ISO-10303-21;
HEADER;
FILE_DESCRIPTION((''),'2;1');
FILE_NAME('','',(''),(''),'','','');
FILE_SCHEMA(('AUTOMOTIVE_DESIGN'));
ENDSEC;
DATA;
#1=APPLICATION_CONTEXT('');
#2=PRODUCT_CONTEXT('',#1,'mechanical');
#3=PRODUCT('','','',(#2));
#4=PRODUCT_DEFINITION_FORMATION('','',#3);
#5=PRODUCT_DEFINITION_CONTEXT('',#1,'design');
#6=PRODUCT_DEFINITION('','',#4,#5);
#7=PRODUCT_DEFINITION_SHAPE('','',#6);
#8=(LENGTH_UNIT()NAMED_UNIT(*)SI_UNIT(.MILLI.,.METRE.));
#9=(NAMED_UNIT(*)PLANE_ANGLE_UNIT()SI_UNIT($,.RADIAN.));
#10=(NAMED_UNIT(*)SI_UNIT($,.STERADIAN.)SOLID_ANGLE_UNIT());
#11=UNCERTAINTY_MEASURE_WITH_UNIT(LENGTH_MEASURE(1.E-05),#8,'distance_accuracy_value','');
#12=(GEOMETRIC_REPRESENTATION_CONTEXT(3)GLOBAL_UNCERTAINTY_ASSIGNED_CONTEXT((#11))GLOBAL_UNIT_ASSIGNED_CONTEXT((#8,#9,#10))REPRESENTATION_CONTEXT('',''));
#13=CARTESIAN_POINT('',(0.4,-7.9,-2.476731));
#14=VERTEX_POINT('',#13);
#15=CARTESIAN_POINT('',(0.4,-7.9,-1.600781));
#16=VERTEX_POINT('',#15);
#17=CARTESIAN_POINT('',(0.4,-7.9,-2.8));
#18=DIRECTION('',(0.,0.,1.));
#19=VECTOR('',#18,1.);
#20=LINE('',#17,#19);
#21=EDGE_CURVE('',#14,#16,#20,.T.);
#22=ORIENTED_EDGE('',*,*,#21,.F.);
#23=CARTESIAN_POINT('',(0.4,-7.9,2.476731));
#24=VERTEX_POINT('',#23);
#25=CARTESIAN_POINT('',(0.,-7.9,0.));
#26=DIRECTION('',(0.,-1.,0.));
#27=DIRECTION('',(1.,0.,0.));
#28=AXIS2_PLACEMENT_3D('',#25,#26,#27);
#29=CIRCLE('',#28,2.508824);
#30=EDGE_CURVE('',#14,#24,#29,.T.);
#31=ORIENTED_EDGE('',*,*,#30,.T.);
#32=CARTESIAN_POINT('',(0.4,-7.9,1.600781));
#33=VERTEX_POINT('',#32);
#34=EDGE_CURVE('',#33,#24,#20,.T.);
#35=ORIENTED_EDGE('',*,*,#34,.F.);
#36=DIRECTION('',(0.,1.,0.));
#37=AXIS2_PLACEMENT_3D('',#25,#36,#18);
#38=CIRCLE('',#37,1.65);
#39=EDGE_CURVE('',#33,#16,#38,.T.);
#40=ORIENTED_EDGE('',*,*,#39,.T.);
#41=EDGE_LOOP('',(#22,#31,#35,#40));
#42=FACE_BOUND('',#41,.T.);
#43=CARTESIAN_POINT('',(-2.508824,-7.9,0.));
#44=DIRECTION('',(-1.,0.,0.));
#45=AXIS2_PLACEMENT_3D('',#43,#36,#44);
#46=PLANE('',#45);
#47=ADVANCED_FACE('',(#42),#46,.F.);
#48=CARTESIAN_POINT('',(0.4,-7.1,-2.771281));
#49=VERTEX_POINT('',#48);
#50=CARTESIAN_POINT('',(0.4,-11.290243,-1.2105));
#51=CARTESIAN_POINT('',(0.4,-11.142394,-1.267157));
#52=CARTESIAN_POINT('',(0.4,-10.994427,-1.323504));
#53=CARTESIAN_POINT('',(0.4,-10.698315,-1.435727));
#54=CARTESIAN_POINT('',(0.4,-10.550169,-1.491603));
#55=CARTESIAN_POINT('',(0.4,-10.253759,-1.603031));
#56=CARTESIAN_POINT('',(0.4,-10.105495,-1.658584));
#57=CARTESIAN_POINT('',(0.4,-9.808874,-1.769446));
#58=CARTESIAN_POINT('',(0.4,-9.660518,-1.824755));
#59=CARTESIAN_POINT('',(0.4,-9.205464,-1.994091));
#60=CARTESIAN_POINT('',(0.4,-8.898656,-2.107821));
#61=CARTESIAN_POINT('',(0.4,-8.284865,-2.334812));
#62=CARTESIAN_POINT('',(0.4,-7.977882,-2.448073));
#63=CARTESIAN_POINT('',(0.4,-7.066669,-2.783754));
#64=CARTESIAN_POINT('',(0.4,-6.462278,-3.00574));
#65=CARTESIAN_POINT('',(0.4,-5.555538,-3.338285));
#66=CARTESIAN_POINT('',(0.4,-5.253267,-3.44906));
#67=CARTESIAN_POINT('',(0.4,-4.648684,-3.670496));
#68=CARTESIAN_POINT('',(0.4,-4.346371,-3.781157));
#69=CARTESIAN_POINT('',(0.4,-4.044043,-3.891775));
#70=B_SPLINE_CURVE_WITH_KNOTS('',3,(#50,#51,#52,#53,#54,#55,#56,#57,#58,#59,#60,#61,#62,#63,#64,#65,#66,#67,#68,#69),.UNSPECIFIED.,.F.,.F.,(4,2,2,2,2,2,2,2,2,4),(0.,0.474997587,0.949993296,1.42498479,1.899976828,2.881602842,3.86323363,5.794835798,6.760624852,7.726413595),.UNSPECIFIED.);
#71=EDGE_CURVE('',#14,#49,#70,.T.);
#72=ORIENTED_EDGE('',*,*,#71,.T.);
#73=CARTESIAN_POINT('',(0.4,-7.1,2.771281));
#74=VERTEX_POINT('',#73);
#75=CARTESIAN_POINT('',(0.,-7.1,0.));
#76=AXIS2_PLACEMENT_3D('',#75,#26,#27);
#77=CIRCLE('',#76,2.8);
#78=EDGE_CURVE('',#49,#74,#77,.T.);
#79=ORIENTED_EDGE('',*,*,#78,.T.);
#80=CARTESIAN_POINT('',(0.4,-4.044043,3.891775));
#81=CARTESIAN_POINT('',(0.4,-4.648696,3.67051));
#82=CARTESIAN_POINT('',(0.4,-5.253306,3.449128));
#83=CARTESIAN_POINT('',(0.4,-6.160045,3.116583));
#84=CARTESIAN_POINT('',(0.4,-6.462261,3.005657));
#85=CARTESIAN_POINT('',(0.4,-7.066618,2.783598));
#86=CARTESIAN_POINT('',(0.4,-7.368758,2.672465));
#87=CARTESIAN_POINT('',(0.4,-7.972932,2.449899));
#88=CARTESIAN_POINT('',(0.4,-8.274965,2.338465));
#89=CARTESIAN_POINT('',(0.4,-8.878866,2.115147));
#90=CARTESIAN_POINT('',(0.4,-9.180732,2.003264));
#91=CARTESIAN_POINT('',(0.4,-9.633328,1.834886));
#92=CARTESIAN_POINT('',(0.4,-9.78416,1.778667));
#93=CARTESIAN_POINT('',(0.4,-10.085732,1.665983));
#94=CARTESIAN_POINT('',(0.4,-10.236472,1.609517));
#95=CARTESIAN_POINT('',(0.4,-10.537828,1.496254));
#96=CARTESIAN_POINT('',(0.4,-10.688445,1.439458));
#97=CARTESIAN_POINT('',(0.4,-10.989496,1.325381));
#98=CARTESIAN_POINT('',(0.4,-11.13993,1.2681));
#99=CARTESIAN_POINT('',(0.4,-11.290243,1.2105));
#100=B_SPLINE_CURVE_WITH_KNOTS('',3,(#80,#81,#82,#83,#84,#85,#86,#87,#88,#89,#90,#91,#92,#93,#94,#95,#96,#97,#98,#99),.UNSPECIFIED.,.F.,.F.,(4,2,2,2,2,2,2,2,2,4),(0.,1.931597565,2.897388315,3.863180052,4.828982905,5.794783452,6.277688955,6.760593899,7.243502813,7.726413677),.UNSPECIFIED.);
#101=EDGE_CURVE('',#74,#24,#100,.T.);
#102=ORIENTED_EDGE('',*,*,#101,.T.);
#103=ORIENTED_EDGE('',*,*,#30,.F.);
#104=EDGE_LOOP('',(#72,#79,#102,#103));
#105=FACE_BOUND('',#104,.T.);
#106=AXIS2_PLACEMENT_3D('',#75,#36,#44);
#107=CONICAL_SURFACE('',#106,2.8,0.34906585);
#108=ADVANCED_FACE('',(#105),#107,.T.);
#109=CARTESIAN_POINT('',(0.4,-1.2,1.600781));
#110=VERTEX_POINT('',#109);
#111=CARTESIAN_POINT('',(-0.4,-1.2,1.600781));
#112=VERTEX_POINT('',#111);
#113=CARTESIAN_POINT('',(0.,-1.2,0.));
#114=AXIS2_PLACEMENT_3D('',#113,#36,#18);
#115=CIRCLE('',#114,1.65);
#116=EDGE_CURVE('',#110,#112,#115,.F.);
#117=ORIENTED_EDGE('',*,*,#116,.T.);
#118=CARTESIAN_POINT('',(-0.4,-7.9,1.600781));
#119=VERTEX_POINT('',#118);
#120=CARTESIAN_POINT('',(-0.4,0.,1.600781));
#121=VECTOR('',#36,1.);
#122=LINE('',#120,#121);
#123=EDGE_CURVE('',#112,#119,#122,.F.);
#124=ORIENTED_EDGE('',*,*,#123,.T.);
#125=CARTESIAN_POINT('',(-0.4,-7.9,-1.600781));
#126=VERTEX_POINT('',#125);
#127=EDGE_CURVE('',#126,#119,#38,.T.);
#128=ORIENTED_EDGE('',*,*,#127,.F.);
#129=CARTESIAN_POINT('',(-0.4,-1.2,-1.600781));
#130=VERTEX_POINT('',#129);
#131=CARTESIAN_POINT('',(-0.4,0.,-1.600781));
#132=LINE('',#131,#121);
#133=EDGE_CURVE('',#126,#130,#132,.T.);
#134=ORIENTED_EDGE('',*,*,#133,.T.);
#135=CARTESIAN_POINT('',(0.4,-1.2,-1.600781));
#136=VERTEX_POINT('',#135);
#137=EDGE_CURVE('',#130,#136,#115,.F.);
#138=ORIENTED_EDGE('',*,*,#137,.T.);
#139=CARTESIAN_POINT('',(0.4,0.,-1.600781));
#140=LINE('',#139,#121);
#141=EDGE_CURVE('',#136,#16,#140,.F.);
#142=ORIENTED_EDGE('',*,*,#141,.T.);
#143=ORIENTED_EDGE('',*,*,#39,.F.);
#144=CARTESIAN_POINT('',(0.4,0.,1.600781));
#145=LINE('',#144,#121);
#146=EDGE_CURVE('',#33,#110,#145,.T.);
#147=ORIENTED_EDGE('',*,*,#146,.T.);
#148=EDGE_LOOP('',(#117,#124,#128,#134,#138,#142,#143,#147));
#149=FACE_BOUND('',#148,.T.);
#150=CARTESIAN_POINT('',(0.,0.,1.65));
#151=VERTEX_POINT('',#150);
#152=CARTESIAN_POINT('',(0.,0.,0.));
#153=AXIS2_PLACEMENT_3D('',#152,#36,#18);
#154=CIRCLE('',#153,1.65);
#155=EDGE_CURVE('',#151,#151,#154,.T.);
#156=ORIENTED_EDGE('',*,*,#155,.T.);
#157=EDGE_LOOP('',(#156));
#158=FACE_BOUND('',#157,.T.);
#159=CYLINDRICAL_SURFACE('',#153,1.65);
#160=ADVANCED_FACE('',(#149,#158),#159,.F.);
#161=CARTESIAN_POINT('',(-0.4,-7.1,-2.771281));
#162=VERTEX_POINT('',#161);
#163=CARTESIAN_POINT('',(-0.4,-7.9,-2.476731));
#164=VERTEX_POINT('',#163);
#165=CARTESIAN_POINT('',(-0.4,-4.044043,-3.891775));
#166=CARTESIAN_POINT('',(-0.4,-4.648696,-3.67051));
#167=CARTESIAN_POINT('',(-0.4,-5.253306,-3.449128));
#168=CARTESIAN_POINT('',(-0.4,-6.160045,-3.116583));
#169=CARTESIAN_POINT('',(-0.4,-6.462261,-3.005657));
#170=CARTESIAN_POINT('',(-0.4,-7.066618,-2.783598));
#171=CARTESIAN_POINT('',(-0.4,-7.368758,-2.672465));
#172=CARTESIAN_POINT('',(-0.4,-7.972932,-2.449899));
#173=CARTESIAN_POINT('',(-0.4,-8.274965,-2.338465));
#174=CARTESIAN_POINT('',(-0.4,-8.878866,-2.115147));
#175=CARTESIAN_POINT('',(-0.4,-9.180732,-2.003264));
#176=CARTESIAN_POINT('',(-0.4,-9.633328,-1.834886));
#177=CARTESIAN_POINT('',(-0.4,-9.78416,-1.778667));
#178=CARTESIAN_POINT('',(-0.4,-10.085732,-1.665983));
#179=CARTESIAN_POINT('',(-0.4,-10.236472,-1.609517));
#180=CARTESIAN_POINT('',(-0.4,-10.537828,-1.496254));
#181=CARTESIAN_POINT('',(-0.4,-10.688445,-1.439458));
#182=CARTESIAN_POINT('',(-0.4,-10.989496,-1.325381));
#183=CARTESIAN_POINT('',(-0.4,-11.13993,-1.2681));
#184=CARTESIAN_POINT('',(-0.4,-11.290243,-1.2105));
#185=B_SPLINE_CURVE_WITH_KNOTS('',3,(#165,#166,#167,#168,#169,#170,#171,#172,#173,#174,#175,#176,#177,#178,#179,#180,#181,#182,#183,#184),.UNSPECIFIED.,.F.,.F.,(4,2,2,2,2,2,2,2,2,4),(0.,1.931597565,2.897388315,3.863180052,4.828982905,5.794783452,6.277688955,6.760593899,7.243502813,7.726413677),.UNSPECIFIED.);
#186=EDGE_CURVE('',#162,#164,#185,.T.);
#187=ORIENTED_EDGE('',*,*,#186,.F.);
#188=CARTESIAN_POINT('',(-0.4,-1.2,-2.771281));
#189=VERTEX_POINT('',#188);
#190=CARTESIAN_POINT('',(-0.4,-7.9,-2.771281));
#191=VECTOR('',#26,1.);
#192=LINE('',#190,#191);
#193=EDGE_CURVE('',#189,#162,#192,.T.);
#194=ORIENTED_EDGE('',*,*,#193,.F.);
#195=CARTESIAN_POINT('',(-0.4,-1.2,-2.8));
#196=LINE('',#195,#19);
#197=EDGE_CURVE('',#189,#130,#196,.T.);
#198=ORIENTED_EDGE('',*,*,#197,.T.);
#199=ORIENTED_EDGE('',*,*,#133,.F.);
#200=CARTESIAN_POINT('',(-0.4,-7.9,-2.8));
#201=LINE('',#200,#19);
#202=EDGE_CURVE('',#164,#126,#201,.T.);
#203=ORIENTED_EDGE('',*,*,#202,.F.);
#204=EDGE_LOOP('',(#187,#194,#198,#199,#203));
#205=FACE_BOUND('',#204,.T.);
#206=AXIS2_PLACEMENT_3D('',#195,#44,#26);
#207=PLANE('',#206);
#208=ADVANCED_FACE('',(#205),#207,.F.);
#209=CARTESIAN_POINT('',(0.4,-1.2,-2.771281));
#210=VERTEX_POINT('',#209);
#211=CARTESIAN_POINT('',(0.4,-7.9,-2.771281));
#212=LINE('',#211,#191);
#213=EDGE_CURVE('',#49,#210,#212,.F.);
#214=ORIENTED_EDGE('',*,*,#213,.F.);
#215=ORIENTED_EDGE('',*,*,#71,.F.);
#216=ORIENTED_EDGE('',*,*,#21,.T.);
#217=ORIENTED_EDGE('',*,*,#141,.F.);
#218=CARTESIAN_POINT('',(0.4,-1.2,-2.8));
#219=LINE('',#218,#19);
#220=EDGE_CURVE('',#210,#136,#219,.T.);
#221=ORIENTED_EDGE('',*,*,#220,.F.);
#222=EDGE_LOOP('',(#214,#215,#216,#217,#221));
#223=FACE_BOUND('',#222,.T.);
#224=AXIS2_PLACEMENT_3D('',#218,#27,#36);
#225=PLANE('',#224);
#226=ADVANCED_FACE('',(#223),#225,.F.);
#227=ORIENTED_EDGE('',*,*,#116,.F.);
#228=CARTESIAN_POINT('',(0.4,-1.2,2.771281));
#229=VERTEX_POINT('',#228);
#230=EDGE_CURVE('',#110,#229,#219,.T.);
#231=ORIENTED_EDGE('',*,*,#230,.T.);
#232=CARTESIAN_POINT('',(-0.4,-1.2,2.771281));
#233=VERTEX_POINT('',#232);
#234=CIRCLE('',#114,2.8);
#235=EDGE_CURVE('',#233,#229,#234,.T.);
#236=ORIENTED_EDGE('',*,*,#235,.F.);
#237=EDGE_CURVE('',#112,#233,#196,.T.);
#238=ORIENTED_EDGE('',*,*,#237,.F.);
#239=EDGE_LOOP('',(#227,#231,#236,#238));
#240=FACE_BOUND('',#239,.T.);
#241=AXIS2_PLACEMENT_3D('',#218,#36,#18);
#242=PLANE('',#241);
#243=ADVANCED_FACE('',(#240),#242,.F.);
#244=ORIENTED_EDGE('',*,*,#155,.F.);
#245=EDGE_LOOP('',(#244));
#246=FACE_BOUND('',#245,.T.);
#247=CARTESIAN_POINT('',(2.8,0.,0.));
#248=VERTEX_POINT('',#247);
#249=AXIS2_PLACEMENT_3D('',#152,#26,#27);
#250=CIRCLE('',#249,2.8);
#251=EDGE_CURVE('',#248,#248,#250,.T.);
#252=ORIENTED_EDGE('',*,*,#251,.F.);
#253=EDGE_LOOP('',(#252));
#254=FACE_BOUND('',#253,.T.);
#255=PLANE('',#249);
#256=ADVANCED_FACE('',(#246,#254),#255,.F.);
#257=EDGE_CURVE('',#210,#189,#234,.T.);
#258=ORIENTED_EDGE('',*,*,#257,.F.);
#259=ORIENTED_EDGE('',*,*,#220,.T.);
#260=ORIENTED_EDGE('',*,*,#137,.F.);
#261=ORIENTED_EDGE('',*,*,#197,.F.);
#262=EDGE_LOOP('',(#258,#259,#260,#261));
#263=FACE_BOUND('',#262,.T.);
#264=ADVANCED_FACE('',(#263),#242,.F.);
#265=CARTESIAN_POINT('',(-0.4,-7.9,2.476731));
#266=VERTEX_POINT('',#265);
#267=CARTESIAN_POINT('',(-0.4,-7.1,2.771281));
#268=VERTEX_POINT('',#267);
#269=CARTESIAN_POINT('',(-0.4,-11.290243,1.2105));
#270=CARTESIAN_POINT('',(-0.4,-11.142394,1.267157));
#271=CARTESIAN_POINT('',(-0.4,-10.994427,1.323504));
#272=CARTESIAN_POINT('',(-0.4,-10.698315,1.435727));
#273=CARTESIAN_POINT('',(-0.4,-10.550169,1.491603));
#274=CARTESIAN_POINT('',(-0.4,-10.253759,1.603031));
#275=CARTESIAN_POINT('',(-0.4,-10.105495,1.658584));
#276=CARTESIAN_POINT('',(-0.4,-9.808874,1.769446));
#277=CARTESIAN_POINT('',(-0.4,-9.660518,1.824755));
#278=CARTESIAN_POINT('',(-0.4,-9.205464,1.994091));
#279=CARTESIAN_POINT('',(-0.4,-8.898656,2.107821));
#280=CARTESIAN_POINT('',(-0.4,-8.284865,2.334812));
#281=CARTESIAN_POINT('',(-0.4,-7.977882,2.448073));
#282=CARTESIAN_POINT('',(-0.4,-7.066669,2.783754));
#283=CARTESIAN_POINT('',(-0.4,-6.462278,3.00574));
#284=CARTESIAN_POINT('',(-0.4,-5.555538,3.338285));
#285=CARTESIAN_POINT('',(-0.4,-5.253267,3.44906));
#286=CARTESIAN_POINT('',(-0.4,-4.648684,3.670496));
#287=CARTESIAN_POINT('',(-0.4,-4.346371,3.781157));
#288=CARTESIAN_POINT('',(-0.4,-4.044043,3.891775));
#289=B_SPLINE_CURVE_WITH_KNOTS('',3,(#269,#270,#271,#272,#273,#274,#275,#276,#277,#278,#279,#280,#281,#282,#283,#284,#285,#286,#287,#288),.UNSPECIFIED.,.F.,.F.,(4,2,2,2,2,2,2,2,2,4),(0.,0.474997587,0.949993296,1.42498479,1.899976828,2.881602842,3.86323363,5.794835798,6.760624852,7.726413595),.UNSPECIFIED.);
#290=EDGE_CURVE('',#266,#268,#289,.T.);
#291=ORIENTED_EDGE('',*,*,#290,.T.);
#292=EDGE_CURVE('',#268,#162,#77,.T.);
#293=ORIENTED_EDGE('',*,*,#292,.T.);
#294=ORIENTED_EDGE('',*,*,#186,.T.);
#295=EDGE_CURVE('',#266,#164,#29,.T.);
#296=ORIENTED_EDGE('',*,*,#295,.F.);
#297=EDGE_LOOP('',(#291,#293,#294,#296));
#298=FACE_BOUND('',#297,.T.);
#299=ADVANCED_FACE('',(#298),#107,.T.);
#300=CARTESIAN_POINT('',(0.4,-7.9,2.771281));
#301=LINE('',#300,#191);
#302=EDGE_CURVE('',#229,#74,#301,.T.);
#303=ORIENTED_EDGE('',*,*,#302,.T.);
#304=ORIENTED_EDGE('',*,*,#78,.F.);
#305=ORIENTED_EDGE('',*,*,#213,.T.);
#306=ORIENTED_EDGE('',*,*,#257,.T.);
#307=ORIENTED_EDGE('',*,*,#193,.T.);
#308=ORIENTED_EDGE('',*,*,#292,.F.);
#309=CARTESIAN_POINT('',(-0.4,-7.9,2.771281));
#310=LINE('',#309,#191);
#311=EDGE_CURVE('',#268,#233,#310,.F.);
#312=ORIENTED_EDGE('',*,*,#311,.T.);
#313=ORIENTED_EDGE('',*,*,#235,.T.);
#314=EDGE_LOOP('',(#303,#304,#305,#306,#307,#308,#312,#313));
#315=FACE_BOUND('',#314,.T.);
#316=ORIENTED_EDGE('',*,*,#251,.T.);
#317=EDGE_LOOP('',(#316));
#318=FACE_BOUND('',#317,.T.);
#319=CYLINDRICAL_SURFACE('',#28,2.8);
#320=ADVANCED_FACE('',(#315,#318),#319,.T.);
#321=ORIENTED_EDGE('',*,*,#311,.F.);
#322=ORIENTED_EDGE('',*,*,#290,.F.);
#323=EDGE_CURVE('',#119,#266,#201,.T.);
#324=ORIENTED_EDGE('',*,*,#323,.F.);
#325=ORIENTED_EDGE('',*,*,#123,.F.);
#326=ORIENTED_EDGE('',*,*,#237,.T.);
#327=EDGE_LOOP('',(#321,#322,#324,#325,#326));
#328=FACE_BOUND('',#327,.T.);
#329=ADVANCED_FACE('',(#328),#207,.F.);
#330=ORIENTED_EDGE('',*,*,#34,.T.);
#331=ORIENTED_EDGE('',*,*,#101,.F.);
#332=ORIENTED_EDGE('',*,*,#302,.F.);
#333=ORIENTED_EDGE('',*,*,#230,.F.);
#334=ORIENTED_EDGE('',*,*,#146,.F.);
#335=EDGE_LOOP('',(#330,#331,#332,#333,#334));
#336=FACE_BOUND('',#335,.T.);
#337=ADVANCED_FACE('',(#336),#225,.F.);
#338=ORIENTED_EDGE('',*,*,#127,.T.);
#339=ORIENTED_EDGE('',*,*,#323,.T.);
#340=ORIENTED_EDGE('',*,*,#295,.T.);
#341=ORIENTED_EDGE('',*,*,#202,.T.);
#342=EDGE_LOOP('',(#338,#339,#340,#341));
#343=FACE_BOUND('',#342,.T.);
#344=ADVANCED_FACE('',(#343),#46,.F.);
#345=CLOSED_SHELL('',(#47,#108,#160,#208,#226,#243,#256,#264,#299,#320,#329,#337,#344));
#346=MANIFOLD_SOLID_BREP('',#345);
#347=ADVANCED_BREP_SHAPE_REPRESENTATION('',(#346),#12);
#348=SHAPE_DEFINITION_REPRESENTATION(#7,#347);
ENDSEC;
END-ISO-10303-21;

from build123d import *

# Parameters (mm, degrees)
M4_TAPPED_HOLE1_D       = 3.3
CUT_EXTRUDE1_DEPTH      = 9.836854644
CUT_EXTRUDE1_DEPTH_BACK = 9.836854644
SKETCH2_W               = 0.8
SKETCH2_H               = 6.7


with BuildPart() as part:
    # Sketch1 → Revolve1 (revolve)
    with BuildSketch(Plane.XY, mode=Mode.PRIVATE) as revolve1_sk:
        Polygon((0, -7.9), (0, 0), (-2.8, 0), (-2.8, -7.1), (-2.508823813, -7.9), align=None)
    revolve(revolve1_sk.sketch.rotate(Axis((0, -7.9, 0), (0, 1, 0)), 180), axis=Axis((0, -7.9, 0), (0, 1, 0)))

    # M4 Tapped Hole1 (through all)
    with Locations(Plane(origin=(0, 0, 0), x_dir=(1, 0, 0), z_dir=(0, 1, 0))):
        with Locations((0, 0)):
            Hole(M4_TAPPED_HOLE1_D / 2)

    # Sketch2 → Cut-Extrude1 (cut, two sides: drawn at the far end of the back side and taken through both)
    with BuildSketch(Plane.XY.offset(-CUT_EXTRUDE1_DEPTH_BACK)):
        with Locations((0, -4.55)):
            Rectangle(SKETCH2_W, SKETCH2_H)
    extrude(amount=CUT_EXTRUDE1_DEPTH + CUT_EXTRUDE1_DEPTH_BACK, mode=Mode.SUBTRACT)


solid = part.part
